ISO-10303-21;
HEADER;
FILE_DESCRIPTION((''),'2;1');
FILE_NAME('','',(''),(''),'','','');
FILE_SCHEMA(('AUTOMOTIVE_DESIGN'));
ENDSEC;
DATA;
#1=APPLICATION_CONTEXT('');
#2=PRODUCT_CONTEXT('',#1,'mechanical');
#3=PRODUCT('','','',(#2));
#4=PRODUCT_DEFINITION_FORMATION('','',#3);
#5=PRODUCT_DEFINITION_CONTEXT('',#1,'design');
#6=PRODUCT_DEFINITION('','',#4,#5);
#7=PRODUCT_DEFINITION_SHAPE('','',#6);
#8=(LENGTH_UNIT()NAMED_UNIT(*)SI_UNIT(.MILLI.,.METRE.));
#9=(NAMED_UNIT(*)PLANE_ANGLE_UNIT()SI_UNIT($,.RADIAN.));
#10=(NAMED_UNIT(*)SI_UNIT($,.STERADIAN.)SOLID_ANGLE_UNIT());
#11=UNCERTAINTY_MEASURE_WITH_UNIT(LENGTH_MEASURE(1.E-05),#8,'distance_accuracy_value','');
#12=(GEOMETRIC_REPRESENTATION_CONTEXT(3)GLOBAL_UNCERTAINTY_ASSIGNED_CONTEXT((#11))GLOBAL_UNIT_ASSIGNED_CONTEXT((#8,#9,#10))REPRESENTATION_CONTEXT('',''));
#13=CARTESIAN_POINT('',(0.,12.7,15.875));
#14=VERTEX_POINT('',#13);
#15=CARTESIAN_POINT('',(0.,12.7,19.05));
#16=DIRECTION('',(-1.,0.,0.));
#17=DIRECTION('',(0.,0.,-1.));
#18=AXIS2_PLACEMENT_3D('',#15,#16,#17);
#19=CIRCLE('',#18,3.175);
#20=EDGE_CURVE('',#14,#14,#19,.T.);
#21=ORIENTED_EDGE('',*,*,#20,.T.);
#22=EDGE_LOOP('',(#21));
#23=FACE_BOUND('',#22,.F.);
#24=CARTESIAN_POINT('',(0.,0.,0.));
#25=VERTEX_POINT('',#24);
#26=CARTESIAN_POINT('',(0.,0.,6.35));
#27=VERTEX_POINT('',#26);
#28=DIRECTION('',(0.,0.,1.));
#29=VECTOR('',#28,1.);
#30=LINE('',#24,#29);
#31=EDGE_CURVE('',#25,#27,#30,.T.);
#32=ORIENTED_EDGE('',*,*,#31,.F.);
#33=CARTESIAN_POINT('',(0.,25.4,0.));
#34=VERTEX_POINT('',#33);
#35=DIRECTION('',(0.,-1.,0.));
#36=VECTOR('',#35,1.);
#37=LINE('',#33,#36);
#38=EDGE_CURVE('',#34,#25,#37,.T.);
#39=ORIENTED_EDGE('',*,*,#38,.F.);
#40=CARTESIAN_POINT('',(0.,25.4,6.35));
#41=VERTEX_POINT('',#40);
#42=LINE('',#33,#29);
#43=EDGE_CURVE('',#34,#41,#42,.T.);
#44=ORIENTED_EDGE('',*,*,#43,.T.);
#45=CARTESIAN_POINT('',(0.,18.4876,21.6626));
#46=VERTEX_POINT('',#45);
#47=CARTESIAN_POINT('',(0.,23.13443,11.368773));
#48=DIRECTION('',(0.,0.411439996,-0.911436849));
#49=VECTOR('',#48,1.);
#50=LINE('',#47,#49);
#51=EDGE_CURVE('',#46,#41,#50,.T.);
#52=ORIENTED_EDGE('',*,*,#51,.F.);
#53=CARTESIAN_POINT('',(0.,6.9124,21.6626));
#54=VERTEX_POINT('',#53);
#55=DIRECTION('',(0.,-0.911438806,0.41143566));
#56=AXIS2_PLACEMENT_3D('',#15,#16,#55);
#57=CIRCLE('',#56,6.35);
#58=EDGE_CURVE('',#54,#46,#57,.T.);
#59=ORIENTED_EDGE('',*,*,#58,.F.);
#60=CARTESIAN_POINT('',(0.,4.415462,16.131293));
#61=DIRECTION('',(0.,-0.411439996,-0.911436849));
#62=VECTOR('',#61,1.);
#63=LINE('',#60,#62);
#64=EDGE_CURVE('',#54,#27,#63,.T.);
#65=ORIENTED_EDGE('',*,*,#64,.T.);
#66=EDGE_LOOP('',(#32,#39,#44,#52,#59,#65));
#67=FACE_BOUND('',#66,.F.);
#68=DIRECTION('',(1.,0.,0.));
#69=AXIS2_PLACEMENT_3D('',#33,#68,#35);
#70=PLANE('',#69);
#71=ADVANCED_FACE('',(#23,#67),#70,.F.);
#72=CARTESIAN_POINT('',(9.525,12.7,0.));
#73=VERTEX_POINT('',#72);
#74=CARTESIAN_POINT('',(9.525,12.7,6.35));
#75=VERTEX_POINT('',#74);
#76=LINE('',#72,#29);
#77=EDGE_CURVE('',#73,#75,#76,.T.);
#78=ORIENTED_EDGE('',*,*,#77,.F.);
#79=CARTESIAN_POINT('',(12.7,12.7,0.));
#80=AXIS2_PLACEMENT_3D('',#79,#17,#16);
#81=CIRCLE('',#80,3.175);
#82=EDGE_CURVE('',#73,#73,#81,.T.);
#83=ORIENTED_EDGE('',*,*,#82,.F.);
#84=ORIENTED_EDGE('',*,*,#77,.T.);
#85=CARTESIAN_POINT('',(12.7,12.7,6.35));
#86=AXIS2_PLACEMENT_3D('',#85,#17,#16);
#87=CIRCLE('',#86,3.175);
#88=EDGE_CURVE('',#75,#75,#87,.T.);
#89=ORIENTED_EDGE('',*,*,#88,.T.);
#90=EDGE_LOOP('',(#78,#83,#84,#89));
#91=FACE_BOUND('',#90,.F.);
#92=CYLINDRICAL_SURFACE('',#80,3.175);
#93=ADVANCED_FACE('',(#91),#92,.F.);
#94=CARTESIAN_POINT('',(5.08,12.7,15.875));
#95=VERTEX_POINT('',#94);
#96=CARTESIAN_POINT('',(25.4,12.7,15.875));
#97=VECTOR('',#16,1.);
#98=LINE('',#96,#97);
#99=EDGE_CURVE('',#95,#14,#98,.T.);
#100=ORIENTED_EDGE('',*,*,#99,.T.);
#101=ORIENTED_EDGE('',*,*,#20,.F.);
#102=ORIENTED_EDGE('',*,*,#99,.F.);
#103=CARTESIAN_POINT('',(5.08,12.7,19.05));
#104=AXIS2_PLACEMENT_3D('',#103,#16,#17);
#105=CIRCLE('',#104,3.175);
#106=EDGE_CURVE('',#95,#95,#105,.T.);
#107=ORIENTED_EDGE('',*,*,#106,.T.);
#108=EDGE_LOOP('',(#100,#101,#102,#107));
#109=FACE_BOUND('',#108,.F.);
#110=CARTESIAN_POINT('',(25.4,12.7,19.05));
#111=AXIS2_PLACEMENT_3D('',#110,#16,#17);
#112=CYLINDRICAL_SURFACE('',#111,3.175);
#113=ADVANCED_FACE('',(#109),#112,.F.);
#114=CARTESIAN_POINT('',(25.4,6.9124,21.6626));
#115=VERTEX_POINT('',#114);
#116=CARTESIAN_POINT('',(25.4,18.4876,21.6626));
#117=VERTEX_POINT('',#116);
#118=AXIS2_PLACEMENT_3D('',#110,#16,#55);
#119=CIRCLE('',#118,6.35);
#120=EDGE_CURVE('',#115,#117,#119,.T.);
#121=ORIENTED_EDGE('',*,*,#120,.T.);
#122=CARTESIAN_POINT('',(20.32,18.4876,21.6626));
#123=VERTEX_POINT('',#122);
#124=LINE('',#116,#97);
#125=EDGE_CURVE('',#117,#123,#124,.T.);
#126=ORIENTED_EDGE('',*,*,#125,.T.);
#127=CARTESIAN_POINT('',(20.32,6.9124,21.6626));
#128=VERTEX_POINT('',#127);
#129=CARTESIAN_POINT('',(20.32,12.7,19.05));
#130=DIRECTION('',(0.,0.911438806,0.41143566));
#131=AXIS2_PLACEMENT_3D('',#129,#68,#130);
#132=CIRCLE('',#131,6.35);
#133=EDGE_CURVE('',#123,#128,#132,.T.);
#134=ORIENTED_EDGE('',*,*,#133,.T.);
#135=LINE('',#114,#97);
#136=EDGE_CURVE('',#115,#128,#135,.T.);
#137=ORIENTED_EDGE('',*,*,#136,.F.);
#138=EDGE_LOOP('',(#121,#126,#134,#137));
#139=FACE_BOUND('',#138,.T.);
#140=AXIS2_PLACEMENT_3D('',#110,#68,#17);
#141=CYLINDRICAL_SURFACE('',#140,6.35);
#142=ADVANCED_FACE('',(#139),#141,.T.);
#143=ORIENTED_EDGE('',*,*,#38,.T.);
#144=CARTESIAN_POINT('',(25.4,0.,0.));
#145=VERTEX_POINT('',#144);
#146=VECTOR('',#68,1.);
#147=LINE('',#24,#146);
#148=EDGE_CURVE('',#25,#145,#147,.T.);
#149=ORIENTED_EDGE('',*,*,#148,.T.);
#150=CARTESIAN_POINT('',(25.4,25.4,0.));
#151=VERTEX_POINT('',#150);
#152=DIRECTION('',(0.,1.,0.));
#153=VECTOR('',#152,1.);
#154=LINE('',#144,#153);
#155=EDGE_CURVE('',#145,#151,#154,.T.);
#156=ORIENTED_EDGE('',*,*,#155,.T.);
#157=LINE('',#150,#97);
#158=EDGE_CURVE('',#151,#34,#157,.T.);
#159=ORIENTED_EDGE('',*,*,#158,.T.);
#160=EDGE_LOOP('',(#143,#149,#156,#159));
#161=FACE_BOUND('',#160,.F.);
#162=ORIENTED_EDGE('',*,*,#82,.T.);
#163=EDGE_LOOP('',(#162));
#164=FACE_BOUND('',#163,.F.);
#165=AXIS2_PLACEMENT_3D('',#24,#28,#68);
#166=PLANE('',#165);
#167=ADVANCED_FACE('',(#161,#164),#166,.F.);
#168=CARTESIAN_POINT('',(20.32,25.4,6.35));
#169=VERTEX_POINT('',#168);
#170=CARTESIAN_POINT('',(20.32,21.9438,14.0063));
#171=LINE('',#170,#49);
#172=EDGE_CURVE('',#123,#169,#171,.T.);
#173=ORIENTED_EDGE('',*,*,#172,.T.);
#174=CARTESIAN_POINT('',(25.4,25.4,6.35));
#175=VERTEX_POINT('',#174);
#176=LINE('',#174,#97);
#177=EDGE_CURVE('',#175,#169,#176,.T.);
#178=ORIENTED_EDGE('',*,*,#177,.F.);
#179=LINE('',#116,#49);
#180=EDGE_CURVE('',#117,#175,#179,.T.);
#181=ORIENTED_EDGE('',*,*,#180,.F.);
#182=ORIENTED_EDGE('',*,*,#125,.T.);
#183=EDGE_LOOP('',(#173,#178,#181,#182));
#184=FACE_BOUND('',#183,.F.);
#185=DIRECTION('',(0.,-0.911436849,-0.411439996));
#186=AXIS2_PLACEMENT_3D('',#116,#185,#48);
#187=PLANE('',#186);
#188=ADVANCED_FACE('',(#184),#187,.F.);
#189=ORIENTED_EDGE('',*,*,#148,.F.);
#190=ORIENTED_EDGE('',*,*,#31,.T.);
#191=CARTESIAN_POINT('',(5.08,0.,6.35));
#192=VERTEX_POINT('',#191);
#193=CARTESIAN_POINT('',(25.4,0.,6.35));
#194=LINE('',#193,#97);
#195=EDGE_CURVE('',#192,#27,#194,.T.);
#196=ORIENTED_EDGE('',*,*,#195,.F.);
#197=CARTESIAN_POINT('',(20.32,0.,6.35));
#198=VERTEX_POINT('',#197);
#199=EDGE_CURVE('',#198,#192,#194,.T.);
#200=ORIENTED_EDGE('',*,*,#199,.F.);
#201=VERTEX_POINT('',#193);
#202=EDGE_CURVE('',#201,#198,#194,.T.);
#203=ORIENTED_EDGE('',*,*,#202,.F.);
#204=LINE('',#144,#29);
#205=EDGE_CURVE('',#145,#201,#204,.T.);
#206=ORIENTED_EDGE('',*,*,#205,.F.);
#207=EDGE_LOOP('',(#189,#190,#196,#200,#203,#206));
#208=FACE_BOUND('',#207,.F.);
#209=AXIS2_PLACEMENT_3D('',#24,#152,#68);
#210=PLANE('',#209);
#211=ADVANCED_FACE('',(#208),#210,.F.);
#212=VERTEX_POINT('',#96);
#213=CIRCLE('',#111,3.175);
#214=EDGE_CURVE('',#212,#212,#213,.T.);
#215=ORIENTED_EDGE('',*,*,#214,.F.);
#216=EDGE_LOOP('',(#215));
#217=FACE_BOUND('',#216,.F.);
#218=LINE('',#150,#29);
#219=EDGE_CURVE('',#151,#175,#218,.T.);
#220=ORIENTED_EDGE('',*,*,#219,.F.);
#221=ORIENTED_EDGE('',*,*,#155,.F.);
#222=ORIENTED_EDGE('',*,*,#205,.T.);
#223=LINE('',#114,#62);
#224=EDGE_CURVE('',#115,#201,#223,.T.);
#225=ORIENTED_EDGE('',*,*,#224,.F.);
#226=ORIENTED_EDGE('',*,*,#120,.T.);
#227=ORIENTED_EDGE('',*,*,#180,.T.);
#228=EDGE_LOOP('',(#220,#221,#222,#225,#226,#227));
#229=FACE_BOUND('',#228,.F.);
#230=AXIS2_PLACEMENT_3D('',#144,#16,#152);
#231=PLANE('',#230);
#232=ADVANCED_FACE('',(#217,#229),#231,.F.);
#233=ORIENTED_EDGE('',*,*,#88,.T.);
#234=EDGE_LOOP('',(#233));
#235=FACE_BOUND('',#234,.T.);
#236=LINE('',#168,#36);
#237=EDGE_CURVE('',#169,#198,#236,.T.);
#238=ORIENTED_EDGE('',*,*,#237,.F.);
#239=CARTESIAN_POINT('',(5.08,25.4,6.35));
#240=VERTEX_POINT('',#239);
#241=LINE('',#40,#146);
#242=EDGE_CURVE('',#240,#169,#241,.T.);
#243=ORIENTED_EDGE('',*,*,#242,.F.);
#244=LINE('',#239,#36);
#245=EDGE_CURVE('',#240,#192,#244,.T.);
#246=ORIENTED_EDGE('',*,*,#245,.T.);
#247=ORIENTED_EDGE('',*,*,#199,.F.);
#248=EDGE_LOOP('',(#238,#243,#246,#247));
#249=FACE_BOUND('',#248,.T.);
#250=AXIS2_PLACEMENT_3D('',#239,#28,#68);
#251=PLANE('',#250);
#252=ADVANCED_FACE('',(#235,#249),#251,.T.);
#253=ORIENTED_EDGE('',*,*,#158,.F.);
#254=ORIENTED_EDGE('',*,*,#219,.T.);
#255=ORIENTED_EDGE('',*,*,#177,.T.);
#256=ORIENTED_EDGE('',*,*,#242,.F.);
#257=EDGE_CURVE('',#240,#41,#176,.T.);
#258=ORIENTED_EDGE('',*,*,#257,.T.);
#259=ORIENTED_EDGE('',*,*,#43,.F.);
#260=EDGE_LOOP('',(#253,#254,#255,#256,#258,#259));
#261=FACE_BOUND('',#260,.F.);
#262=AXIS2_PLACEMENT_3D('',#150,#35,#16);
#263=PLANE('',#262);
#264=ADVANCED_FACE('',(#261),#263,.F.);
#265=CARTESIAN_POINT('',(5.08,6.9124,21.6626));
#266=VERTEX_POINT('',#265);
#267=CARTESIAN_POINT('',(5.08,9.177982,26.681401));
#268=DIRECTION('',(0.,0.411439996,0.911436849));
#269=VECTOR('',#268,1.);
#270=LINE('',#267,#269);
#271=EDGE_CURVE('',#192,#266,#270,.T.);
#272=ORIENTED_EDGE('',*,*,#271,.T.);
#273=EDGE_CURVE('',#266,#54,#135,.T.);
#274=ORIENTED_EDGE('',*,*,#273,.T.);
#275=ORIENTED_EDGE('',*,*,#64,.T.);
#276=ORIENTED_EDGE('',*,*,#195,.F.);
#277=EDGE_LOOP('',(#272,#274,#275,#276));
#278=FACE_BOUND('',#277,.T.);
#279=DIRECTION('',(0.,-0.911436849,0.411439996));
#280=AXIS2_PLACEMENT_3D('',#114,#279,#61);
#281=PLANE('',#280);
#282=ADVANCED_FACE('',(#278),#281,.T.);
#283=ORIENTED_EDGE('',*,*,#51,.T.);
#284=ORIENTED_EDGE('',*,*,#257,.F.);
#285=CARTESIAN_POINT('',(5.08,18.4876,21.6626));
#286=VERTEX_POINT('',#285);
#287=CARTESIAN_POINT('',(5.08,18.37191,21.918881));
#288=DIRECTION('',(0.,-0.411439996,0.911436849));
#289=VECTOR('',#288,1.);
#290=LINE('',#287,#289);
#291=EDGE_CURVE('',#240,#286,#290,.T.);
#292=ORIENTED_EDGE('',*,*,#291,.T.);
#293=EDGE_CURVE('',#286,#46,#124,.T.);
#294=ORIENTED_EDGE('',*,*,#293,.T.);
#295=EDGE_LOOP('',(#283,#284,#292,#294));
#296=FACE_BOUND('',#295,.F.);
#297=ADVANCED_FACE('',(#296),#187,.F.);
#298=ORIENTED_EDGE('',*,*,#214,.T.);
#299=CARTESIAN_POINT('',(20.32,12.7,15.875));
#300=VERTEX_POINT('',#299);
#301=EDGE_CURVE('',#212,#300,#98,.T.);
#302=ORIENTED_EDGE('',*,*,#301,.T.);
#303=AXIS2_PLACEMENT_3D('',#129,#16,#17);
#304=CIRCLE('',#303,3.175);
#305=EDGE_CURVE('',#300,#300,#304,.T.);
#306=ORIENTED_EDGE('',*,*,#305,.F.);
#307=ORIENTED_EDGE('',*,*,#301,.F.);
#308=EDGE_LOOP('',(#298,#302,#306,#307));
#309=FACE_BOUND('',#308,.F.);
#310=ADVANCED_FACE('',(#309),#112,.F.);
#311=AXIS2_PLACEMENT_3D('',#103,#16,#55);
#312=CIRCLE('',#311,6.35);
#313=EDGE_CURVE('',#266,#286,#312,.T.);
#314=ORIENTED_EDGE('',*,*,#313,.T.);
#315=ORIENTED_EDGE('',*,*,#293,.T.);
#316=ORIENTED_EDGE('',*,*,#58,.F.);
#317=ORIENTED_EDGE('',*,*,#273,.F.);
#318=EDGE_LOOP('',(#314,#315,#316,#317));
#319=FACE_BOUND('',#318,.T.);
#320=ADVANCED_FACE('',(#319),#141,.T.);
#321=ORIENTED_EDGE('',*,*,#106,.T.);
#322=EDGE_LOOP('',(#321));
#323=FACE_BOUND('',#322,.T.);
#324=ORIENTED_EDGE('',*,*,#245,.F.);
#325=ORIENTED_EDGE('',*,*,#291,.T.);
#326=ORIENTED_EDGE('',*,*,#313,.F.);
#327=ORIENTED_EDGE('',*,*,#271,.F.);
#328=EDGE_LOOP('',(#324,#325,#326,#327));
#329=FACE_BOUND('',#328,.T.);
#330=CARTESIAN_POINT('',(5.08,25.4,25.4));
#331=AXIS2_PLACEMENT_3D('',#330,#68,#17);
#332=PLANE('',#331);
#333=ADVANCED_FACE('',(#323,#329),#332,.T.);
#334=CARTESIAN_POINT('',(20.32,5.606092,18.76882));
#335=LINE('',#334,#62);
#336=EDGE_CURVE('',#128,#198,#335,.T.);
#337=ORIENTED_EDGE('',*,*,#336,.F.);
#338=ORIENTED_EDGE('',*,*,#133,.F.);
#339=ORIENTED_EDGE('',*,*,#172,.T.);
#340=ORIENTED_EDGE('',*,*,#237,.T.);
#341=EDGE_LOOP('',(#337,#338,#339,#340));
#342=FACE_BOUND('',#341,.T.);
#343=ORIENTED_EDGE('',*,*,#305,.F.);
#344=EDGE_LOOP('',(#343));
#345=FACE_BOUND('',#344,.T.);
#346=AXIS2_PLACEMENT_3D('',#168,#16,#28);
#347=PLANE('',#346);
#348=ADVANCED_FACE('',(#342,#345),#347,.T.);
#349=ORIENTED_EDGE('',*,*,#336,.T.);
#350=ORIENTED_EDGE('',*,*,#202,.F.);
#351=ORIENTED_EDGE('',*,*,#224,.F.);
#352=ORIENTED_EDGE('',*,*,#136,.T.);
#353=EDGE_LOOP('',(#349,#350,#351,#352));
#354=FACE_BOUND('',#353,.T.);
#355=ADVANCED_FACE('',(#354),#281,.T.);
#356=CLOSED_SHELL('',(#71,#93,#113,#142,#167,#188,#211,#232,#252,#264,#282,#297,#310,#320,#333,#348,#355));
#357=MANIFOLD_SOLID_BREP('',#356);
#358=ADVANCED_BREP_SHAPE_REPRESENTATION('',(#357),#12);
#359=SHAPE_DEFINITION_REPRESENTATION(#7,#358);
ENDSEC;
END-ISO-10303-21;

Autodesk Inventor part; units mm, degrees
ref_plane "YZ Plane" through (0, 0, 0) normal (1, 0, 0) x (0, 1, 0)
ref_plane "XZ Plane" through (0, 0, 0) normal (0, 1, 0) x (-1, 0, 0)
ref_plane "XY Plane" through (0, 0, 0) normal (0, 0, 1) x (1, 0, 0)
sketch "Sketch1" plane through (0, 0, 0) normal (0, 0, 1) x (1, 0, 0)
  line L0 (0, 0) -> (25.4, 0)
  line L1 (25.4, 0) -> (25.4, 25.4)
  line L2 (25.4, 25.4) -> (0, 25.4)
  line L3 (0, 25.4) -> (0, 0)
  dimension "d0" = 25.4
  dimension "d1" = 25.4
extrude "Extrusion1" add sketch "Sketch1" along normal blind 25.4
sketch "Sketch2" plane through (25.4, 0, 0) normal (1, 0, 0) x (0, 0, -1)
  line L0 (0, 0) -> (0, 25.4) projected
  line L1 (0, 25.4) -> (-25.4, 25.4) projected
  line L2 (-25.4, 0) -> (-25.4, 25.4) projected
  line L3 (0, 0) -> (-25.4, 0) projected
  circle A0 centre (-19.05, 12.7) radius 6.35
  line L4 (-21.6626, 18.4876) -> (-6.35, 25.4)
  line L5 (-21.6626, 6.9124) -> (-6.35, 0)
  line L6 (0, 12.7) -> (-19.05, 12.7) construction
  dimension "d4" = 12.7
  dimension "d5" = 6.35
extrude "Extrusion2" cut sketch "Sketch2" against normal through all contours L3 L2 A0 L5 | L4 A0 L2 L1
sketch "Sketch3" plane through (25.4, 0, 0) normal (1, 0, 0) x (0, 0, -1)
  arc A0 (-21.6626, 18.4876) -> (-21.6626, 6.9124) centre (-19.05, 12.7) ccw projected
hole "Hole1" at (25.4, 12.7, 19.05) direction (-1, 0, 0) diameter 6.35 end through all
sketch "Sketch4" plane through (0, 25.4, 0) normal (0, 1, 0) x (1, 0, 0)
  line L0 (0, -6.35) -> (25.4, -6.35) projected
  line L1 (25.4, 0) -> (25.4, -6.35) projected
  line L2 (0, 0) -> (0, -6.35) projected
  line L3 (25.4, -25.4) -> (0, -25.4) projected
  line L4 (5.08, -6.35) -> (20.32, -6.35)
  line L5 (20.32, -6.35) -> (20.32, -25.4)
  line L6 (20.32, -25.4) -> (5.08, -25.4)
  line L7 (5.08, -25.4) -> (5.08, -6.35)
  dimension "d15" = 5.08
  dimension "d16" = 5.08
extrude "Extrusion3" cut sketch "Sketch4" against normal through all
sketch "Sketch5" plane through (0, 0, 0) normal (0, 0, -1) x (-1, 0, 0)
  line L0 (-25.4, 25.4) -> (0, 0) construction
  circle A0 centre (-12.7, 12.7) radius 3.175
  dimension "d19" = 6.35
extrude "Extrusion4" cut sketch "Sketch5" against normal through all
equation "\"d16\" = d15"
properties part number "Joint" material "Aluminum 6061"
